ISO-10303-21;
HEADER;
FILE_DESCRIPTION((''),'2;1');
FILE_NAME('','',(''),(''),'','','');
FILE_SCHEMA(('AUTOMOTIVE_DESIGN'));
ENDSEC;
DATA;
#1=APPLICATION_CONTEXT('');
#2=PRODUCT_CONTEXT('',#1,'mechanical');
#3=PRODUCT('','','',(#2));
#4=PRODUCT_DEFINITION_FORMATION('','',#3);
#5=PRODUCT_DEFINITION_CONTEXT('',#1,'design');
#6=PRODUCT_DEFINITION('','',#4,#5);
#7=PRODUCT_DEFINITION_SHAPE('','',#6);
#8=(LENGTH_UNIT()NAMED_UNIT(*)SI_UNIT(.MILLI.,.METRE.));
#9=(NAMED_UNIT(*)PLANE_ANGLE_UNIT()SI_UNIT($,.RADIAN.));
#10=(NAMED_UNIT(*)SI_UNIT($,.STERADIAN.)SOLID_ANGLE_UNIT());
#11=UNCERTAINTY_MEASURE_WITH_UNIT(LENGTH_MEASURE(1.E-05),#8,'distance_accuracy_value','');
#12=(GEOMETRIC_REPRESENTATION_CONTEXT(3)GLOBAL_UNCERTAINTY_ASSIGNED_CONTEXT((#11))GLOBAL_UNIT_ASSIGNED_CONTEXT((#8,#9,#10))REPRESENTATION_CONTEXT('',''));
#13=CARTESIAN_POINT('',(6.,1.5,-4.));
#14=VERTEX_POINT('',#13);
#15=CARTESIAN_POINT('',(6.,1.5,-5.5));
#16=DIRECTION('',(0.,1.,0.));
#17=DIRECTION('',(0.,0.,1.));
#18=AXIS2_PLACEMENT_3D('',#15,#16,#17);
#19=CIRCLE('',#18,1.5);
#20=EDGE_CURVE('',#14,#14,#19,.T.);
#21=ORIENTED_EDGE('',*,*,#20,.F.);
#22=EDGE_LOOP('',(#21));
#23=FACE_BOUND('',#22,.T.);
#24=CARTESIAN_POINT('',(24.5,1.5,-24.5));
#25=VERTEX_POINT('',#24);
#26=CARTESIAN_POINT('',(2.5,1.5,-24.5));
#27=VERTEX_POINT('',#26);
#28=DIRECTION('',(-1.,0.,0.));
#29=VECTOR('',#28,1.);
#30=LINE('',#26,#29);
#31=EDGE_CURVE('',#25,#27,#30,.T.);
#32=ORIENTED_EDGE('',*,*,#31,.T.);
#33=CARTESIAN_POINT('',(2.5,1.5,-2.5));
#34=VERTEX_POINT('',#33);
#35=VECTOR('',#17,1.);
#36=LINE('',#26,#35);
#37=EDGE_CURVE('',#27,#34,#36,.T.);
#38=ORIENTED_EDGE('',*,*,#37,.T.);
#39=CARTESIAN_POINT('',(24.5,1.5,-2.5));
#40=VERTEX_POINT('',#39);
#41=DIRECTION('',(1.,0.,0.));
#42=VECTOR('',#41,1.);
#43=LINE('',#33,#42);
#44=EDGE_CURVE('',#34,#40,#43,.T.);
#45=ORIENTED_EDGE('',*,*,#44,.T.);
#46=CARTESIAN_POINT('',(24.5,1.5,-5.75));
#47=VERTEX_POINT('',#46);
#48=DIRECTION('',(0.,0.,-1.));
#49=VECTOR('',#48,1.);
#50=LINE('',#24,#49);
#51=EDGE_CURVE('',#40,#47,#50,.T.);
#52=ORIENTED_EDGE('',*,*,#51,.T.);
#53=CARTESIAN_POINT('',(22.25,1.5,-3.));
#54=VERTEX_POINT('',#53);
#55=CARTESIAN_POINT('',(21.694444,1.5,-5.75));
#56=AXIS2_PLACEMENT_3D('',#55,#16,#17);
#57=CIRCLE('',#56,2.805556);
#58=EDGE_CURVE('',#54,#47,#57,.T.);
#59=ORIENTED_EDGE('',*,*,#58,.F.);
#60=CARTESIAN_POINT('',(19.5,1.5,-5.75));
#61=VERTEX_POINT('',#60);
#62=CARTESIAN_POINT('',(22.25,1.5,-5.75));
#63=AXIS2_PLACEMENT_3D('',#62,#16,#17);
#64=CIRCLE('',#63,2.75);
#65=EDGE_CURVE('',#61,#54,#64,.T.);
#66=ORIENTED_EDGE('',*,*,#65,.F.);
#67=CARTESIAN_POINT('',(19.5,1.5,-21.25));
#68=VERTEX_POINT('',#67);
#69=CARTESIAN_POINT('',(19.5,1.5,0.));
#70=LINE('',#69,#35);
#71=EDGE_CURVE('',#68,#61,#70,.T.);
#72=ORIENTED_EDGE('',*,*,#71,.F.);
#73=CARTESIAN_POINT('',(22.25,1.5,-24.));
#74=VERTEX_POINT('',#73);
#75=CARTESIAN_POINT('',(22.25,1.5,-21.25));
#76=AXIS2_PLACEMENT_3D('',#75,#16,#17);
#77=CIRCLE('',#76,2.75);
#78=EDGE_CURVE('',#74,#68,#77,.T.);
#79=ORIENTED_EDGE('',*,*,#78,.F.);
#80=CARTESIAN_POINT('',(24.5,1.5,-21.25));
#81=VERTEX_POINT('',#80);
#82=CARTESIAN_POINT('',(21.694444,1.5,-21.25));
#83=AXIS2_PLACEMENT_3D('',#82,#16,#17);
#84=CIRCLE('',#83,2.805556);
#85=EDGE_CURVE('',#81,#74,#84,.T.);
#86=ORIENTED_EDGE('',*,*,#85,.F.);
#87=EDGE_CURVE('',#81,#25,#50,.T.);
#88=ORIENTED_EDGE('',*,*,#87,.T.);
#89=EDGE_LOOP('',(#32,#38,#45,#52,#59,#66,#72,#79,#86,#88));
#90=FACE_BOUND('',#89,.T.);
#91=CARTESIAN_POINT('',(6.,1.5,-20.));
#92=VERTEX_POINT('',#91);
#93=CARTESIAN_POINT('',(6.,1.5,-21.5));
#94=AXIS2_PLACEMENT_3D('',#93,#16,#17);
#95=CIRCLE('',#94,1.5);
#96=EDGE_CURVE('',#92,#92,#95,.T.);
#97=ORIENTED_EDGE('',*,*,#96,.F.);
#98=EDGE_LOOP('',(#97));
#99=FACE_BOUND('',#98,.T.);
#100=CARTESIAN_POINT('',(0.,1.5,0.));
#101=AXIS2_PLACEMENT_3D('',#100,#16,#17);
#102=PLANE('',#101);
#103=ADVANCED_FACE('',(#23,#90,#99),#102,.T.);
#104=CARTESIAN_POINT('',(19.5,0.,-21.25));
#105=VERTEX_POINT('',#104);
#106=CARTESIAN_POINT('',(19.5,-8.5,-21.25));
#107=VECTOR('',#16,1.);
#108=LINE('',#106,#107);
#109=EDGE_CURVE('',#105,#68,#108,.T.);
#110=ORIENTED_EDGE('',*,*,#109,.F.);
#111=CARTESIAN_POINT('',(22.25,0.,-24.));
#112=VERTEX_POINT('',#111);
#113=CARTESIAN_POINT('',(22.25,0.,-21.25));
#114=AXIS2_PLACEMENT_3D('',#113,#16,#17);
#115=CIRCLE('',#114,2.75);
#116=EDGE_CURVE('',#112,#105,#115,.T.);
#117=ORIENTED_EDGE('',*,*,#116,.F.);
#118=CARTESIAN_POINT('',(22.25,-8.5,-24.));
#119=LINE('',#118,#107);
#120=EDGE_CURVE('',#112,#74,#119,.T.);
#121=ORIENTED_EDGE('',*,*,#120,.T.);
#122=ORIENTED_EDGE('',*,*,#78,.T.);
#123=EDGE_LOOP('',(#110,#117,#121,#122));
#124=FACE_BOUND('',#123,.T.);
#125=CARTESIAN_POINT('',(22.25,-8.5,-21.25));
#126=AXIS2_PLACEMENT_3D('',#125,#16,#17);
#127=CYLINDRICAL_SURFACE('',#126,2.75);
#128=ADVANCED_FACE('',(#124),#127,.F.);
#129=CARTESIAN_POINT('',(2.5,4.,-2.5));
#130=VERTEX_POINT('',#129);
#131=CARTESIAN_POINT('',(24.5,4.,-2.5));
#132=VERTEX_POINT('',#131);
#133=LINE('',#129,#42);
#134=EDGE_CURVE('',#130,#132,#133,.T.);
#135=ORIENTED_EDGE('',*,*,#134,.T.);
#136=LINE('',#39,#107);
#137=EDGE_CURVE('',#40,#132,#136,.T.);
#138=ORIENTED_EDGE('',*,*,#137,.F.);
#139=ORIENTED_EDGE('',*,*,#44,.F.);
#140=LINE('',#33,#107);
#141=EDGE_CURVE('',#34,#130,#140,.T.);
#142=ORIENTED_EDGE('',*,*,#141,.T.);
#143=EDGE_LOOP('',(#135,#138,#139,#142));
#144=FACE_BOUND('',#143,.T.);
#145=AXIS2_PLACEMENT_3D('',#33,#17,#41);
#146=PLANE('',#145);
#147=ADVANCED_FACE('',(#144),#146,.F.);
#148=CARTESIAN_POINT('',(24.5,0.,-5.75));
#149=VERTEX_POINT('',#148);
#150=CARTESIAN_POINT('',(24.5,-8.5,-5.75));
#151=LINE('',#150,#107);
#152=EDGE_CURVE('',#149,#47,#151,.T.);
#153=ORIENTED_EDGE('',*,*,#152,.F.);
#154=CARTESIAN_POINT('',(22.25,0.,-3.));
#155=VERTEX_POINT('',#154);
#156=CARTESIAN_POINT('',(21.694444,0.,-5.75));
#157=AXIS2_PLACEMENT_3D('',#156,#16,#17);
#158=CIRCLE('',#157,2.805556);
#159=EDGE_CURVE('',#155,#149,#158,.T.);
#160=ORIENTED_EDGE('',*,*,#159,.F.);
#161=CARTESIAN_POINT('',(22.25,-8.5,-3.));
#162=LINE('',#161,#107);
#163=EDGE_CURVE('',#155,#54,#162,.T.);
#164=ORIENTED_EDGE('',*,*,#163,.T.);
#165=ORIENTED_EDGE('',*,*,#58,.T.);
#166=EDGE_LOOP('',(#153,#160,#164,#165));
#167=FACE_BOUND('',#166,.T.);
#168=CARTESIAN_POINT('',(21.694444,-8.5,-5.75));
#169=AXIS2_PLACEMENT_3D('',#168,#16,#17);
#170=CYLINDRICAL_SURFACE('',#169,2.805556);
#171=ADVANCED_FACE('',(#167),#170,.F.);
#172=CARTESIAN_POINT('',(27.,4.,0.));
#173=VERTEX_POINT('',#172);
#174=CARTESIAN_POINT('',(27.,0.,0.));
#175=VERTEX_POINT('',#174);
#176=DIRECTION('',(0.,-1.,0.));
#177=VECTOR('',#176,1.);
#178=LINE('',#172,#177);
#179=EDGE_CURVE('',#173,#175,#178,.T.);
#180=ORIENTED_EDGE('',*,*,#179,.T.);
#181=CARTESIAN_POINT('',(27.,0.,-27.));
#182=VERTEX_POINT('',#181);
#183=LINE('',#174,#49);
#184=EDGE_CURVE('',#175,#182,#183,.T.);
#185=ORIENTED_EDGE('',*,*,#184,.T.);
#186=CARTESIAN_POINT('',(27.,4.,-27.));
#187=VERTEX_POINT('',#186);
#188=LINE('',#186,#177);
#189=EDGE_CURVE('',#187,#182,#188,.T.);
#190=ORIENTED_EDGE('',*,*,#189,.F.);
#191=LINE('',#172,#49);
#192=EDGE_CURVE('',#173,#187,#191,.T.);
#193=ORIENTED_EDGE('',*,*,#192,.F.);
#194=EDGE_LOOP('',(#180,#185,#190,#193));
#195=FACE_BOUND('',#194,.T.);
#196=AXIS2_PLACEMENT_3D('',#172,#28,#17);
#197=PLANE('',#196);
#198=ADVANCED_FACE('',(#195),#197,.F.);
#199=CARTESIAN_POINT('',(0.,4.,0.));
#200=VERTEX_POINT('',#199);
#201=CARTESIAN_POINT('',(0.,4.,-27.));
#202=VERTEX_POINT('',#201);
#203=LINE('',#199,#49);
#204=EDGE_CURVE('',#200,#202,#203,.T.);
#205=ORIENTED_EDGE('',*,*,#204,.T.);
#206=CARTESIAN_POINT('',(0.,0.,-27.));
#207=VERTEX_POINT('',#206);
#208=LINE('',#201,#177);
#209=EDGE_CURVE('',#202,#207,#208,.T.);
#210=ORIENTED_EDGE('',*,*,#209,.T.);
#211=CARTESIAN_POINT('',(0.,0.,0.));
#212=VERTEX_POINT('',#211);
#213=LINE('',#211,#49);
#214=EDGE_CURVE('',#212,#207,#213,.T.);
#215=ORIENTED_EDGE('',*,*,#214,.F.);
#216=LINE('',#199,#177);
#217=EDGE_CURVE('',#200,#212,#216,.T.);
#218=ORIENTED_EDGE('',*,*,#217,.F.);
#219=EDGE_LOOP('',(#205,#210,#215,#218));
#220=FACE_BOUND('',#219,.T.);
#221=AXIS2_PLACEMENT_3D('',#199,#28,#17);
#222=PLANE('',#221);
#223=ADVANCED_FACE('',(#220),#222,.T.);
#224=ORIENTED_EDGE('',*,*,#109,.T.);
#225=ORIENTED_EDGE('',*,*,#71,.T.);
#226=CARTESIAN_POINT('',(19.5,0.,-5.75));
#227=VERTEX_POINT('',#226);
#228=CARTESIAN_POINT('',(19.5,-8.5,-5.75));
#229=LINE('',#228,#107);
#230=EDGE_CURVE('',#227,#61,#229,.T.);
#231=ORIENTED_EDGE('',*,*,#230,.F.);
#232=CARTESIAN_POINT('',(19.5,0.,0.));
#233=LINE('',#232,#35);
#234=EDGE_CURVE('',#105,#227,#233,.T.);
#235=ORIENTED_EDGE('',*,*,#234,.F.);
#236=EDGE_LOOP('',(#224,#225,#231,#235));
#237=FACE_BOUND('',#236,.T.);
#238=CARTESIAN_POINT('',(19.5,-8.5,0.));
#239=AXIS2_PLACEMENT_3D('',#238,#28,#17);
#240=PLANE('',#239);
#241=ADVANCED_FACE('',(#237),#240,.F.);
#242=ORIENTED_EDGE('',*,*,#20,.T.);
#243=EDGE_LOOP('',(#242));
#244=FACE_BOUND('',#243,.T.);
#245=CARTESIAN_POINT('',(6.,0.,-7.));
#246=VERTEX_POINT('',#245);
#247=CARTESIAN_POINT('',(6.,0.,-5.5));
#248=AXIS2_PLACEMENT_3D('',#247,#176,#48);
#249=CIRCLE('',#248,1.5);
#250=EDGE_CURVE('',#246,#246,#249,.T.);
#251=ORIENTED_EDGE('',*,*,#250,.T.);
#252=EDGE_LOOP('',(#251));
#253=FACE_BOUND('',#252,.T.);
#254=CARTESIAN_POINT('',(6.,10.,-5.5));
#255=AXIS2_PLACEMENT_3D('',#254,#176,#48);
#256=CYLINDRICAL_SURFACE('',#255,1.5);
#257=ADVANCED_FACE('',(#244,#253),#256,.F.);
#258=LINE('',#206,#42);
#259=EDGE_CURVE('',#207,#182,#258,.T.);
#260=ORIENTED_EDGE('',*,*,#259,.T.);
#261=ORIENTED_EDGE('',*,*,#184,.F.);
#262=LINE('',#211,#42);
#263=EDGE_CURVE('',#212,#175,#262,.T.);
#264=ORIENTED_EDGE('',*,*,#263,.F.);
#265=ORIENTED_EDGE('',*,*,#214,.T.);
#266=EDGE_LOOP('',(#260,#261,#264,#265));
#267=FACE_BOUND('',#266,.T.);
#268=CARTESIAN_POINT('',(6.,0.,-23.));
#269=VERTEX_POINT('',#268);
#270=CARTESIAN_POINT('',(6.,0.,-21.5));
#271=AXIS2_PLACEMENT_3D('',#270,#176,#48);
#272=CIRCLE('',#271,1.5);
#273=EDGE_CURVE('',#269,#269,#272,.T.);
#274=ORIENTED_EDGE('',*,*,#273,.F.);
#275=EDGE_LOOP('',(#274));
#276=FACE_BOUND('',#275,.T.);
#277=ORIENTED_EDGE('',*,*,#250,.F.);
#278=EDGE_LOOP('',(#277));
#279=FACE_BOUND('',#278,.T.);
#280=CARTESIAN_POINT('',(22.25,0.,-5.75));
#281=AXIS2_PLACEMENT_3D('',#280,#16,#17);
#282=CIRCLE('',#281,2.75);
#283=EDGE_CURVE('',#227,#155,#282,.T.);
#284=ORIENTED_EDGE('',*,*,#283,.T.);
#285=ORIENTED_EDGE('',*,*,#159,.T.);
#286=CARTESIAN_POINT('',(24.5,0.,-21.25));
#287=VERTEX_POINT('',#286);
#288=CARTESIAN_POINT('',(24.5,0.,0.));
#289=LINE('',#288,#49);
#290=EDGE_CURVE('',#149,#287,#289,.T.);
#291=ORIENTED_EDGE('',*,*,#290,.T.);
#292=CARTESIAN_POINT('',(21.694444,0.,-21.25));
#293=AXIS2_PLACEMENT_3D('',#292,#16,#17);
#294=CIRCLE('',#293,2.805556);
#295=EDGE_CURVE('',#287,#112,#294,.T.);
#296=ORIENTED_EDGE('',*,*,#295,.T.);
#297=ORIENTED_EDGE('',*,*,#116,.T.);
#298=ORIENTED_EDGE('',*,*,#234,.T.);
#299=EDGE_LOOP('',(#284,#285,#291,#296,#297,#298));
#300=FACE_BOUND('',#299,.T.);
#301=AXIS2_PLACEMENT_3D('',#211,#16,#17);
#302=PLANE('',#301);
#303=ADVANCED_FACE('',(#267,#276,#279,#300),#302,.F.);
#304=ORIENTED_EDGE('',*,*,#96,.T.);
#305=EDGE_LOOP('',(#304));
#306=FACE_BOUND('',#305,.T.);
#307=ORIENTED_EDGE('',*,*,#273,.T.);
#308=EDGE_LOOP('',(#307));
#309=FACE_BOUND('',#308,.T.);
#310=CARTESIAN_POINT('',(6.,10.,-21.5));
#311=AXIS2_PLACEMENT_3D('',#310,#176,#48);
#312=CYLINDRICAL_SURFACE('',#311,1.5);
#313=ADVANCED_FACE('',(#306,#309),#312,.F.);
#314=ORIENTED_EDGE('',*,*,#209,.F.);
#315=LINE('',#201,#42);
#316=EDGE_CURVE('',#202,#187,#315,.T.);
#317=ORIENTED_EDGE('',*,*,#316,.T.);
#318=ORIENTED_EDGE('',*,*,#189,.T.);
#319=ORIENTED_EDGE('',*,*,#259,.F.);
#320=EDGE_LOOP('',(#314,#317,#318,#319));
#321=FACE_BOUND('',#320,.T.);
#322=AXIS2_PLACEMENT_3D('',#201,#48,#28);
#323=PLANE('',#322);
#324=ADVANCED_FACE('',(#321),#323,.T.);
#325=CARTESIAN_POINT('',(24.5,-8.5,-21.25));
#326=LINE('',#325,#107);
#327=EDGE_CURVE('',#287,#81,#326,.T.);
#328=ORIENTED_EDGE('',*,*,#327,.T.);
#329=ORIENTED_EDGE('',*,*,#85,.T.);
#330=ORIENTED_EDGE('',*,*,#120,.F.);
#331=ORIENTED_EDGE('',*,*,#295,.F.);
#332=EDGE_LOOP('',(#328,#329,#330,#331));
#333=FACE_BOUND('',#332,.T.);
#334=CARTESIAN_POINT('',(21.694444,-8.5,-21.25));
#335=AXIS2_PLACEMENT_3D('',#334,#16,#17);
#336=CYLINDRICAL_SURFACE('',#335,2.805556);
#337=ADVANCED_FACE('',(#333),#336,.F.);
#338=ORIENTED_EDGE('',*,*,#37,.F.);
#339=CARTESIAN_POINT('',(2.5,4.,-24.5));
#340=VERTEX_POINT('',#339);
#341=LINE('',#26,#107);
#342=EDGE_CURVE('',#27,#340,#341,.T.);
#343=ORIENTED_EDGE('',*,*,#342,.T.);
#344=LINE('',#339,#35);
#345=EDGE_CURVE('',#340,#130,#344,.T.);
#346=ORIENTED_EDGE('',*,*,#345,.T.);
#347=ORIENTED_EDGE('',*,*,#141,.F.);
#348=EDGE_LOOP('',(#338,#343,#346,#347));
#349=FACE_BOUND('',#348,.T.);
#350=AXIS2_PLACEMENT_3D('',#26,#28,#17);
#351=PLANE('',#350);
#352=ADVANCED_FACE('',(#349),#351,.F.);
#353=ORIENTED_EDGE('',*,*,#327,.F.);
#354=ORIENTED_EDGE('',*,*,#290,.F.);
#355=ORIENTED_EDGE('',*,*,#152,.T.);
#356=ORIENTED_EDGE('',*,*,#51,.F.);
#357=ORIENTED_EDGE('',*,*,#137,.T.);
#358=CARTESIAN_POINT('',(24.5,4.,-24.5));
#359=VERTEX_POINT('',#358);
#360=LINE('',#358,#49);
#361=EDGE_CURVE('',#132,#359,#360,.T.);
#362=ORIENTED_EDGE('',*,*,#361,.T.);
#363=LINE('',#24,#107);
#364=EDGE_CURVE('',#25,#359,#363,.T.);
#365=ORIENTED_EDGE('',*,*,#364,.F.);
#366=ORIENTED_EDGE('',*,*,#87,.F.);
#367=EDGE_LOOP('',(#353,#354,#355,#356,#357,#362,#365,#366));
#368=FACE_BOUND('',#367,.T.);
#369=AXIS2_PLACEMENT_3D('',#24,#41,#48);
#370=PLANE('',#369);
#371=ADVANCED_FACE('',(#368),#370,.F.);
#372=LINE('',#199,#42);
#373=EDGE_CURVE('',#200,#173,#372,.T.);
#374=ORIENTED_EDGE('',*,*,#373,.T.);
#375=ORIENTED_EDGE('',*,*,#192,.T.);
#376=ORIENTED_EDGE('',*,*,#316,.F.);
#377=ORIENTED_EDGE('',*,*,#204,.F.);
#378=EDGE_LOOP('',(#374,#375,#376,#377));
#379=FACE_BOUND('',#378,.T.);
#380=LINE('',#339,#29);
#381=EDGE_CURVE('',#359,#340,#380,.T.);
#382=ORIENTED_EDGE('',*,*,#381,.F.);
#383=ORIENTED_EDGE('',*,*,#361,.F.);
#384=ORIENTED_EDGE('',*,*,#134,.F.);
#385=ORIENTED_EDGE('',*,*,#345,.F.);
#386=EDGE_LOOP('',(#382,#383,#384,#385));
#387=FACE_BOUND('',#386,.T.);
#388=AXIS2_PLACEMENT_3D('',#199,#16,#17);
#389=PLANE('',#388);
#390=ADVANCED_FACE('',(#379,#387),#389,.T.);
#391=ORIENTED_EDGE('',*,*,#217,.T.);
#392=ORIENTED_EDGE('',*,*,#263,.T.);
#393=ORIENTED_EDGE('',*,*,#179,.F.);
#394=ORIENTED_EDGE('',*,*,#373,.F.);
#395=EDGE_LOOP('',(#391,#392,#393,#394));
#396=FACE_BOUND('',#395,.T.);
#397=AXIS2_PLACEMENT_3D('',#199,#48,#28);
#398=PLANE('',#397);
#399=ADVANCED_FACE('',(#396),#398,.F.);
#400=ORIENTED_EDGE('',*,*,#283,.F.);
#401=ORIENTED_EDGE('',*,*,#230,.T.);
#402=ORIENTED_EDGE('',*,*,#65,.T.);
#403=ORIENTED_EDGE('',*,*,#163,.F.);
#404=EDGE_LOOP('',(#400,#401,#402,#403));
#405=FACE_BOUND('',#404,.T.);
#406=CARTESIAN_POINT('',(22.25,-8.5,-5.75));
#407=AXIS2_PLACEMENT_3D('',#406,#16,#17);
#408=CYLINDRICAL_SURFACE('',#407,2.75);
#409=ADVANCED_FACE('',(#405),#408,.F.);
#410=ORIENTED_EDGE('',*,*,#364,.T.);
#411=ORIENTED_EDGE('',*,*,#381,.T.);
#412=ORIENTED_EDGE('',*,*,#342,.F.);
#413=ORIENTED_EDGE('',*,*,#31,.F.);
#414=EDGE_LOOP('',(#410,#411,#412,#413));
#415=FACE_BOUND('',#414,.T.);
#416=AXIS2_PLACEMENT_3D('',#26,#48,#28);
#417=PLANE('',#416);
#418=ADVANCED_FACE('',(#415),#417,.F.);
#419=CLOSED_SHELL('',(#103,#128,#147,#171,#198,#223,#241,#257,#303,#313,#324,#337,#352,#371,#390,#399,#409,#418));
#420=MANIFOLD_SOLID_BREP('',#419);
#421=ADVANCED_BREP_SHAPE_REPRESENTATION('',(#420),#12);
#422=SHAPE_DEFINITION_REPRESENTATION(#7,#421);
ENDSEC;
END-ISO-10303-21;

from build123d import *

# Parameters (mm, degrees)
SKETCH2_W           = 27
SKETCH2_H           = 27
BOSS_EXTRUDE1_DEPTH = 4
SKETCH5_W           = 22
SKETCH5_H           = 22
CUT_EXTRUDE2_DEPTH  = 2.5
SKETCH3_R           = 1.5
CUT_EXTRUDE3_DEPTH  = 10
CUT_EXTRUDE4_DEPTH  = 10


with BuildPart() as part:
    # Sketch2 → Boss-Extrude1 (new body)
    with BuildSketch(Plane(origin=(0, 0, 0), x_dir=(1, 0, 0), z_dir=(0, 1, 0))):
        with Locations((13.5, 13.5)):
            Rectangle(SKETCH2_W, SKETCH2_H)
    extrude(amount=BOSS_EXTRUDE1_DEPTH)

    # Sketch5 → Cut-Extrude2 (cut)
    with BuildSketch(Plane(origin=(0, 4, 0), x_dir=(1, 0, 0), z_dir=(0, 1, 0))):
        with Locations((13.5, 13.5)):
            Rectangle(SKETCH5_W, SKETCH5_H)
    extrude(amount=-CUT_EXTRUDE2_DEPTH, mode=Mode.SUBTRACT)

    # Sketch3 → Cut-Extrude3 (cut)
    with BuildSketch(Plane(origin=(0, 0, 0), x_dir=(-1, 0, 0), z_dir=(0, -1, 0))):
        with Locations(Location((-6, 21.5, 0), (0, 0, 90))):
            Circle(SKETCH3_R)
        with Locations(Location((-6, 5.5, 0), (0, 0, 90))):
            Circle(SKETCH3_R)
    extrude(amount=-CUT_EXTRUDE3_DEPTH, mode=Mode.SUBTRACT)

    # Sketch6 → Cut-Extrude4 (cut)
    with BuildSketch(Plane(origin=(0, 1.5, 0), x_dir=(1, 0, 0), z_dir=(0, 1, 0))):
        with BuildLine():
            ThreePointArc((22.25, 24), (20.305456352, 23.194543648), (19.5, 21.25))
            Line((19.5, 21.25), (19.5, 5.75))
            ThreePointArc((19.5, 5.75), (20.305456352, 3.805456352), (22.25, 3))
            ThreePointArc((22.25, 3), (23.865824645, 3.9734162), (24.5, 5.75))
            Line((24.5, 5.75), (24.5, 21.25))
            ThreePointArc((24.5, 21.25), (23.865824645, 23.0265838), (22.25, 24))
        make_face()
    extrude(amount=-CUT_EXTRUDE4_DEPTH, mode=Mode.SUBTRACT)


solid = part.part
